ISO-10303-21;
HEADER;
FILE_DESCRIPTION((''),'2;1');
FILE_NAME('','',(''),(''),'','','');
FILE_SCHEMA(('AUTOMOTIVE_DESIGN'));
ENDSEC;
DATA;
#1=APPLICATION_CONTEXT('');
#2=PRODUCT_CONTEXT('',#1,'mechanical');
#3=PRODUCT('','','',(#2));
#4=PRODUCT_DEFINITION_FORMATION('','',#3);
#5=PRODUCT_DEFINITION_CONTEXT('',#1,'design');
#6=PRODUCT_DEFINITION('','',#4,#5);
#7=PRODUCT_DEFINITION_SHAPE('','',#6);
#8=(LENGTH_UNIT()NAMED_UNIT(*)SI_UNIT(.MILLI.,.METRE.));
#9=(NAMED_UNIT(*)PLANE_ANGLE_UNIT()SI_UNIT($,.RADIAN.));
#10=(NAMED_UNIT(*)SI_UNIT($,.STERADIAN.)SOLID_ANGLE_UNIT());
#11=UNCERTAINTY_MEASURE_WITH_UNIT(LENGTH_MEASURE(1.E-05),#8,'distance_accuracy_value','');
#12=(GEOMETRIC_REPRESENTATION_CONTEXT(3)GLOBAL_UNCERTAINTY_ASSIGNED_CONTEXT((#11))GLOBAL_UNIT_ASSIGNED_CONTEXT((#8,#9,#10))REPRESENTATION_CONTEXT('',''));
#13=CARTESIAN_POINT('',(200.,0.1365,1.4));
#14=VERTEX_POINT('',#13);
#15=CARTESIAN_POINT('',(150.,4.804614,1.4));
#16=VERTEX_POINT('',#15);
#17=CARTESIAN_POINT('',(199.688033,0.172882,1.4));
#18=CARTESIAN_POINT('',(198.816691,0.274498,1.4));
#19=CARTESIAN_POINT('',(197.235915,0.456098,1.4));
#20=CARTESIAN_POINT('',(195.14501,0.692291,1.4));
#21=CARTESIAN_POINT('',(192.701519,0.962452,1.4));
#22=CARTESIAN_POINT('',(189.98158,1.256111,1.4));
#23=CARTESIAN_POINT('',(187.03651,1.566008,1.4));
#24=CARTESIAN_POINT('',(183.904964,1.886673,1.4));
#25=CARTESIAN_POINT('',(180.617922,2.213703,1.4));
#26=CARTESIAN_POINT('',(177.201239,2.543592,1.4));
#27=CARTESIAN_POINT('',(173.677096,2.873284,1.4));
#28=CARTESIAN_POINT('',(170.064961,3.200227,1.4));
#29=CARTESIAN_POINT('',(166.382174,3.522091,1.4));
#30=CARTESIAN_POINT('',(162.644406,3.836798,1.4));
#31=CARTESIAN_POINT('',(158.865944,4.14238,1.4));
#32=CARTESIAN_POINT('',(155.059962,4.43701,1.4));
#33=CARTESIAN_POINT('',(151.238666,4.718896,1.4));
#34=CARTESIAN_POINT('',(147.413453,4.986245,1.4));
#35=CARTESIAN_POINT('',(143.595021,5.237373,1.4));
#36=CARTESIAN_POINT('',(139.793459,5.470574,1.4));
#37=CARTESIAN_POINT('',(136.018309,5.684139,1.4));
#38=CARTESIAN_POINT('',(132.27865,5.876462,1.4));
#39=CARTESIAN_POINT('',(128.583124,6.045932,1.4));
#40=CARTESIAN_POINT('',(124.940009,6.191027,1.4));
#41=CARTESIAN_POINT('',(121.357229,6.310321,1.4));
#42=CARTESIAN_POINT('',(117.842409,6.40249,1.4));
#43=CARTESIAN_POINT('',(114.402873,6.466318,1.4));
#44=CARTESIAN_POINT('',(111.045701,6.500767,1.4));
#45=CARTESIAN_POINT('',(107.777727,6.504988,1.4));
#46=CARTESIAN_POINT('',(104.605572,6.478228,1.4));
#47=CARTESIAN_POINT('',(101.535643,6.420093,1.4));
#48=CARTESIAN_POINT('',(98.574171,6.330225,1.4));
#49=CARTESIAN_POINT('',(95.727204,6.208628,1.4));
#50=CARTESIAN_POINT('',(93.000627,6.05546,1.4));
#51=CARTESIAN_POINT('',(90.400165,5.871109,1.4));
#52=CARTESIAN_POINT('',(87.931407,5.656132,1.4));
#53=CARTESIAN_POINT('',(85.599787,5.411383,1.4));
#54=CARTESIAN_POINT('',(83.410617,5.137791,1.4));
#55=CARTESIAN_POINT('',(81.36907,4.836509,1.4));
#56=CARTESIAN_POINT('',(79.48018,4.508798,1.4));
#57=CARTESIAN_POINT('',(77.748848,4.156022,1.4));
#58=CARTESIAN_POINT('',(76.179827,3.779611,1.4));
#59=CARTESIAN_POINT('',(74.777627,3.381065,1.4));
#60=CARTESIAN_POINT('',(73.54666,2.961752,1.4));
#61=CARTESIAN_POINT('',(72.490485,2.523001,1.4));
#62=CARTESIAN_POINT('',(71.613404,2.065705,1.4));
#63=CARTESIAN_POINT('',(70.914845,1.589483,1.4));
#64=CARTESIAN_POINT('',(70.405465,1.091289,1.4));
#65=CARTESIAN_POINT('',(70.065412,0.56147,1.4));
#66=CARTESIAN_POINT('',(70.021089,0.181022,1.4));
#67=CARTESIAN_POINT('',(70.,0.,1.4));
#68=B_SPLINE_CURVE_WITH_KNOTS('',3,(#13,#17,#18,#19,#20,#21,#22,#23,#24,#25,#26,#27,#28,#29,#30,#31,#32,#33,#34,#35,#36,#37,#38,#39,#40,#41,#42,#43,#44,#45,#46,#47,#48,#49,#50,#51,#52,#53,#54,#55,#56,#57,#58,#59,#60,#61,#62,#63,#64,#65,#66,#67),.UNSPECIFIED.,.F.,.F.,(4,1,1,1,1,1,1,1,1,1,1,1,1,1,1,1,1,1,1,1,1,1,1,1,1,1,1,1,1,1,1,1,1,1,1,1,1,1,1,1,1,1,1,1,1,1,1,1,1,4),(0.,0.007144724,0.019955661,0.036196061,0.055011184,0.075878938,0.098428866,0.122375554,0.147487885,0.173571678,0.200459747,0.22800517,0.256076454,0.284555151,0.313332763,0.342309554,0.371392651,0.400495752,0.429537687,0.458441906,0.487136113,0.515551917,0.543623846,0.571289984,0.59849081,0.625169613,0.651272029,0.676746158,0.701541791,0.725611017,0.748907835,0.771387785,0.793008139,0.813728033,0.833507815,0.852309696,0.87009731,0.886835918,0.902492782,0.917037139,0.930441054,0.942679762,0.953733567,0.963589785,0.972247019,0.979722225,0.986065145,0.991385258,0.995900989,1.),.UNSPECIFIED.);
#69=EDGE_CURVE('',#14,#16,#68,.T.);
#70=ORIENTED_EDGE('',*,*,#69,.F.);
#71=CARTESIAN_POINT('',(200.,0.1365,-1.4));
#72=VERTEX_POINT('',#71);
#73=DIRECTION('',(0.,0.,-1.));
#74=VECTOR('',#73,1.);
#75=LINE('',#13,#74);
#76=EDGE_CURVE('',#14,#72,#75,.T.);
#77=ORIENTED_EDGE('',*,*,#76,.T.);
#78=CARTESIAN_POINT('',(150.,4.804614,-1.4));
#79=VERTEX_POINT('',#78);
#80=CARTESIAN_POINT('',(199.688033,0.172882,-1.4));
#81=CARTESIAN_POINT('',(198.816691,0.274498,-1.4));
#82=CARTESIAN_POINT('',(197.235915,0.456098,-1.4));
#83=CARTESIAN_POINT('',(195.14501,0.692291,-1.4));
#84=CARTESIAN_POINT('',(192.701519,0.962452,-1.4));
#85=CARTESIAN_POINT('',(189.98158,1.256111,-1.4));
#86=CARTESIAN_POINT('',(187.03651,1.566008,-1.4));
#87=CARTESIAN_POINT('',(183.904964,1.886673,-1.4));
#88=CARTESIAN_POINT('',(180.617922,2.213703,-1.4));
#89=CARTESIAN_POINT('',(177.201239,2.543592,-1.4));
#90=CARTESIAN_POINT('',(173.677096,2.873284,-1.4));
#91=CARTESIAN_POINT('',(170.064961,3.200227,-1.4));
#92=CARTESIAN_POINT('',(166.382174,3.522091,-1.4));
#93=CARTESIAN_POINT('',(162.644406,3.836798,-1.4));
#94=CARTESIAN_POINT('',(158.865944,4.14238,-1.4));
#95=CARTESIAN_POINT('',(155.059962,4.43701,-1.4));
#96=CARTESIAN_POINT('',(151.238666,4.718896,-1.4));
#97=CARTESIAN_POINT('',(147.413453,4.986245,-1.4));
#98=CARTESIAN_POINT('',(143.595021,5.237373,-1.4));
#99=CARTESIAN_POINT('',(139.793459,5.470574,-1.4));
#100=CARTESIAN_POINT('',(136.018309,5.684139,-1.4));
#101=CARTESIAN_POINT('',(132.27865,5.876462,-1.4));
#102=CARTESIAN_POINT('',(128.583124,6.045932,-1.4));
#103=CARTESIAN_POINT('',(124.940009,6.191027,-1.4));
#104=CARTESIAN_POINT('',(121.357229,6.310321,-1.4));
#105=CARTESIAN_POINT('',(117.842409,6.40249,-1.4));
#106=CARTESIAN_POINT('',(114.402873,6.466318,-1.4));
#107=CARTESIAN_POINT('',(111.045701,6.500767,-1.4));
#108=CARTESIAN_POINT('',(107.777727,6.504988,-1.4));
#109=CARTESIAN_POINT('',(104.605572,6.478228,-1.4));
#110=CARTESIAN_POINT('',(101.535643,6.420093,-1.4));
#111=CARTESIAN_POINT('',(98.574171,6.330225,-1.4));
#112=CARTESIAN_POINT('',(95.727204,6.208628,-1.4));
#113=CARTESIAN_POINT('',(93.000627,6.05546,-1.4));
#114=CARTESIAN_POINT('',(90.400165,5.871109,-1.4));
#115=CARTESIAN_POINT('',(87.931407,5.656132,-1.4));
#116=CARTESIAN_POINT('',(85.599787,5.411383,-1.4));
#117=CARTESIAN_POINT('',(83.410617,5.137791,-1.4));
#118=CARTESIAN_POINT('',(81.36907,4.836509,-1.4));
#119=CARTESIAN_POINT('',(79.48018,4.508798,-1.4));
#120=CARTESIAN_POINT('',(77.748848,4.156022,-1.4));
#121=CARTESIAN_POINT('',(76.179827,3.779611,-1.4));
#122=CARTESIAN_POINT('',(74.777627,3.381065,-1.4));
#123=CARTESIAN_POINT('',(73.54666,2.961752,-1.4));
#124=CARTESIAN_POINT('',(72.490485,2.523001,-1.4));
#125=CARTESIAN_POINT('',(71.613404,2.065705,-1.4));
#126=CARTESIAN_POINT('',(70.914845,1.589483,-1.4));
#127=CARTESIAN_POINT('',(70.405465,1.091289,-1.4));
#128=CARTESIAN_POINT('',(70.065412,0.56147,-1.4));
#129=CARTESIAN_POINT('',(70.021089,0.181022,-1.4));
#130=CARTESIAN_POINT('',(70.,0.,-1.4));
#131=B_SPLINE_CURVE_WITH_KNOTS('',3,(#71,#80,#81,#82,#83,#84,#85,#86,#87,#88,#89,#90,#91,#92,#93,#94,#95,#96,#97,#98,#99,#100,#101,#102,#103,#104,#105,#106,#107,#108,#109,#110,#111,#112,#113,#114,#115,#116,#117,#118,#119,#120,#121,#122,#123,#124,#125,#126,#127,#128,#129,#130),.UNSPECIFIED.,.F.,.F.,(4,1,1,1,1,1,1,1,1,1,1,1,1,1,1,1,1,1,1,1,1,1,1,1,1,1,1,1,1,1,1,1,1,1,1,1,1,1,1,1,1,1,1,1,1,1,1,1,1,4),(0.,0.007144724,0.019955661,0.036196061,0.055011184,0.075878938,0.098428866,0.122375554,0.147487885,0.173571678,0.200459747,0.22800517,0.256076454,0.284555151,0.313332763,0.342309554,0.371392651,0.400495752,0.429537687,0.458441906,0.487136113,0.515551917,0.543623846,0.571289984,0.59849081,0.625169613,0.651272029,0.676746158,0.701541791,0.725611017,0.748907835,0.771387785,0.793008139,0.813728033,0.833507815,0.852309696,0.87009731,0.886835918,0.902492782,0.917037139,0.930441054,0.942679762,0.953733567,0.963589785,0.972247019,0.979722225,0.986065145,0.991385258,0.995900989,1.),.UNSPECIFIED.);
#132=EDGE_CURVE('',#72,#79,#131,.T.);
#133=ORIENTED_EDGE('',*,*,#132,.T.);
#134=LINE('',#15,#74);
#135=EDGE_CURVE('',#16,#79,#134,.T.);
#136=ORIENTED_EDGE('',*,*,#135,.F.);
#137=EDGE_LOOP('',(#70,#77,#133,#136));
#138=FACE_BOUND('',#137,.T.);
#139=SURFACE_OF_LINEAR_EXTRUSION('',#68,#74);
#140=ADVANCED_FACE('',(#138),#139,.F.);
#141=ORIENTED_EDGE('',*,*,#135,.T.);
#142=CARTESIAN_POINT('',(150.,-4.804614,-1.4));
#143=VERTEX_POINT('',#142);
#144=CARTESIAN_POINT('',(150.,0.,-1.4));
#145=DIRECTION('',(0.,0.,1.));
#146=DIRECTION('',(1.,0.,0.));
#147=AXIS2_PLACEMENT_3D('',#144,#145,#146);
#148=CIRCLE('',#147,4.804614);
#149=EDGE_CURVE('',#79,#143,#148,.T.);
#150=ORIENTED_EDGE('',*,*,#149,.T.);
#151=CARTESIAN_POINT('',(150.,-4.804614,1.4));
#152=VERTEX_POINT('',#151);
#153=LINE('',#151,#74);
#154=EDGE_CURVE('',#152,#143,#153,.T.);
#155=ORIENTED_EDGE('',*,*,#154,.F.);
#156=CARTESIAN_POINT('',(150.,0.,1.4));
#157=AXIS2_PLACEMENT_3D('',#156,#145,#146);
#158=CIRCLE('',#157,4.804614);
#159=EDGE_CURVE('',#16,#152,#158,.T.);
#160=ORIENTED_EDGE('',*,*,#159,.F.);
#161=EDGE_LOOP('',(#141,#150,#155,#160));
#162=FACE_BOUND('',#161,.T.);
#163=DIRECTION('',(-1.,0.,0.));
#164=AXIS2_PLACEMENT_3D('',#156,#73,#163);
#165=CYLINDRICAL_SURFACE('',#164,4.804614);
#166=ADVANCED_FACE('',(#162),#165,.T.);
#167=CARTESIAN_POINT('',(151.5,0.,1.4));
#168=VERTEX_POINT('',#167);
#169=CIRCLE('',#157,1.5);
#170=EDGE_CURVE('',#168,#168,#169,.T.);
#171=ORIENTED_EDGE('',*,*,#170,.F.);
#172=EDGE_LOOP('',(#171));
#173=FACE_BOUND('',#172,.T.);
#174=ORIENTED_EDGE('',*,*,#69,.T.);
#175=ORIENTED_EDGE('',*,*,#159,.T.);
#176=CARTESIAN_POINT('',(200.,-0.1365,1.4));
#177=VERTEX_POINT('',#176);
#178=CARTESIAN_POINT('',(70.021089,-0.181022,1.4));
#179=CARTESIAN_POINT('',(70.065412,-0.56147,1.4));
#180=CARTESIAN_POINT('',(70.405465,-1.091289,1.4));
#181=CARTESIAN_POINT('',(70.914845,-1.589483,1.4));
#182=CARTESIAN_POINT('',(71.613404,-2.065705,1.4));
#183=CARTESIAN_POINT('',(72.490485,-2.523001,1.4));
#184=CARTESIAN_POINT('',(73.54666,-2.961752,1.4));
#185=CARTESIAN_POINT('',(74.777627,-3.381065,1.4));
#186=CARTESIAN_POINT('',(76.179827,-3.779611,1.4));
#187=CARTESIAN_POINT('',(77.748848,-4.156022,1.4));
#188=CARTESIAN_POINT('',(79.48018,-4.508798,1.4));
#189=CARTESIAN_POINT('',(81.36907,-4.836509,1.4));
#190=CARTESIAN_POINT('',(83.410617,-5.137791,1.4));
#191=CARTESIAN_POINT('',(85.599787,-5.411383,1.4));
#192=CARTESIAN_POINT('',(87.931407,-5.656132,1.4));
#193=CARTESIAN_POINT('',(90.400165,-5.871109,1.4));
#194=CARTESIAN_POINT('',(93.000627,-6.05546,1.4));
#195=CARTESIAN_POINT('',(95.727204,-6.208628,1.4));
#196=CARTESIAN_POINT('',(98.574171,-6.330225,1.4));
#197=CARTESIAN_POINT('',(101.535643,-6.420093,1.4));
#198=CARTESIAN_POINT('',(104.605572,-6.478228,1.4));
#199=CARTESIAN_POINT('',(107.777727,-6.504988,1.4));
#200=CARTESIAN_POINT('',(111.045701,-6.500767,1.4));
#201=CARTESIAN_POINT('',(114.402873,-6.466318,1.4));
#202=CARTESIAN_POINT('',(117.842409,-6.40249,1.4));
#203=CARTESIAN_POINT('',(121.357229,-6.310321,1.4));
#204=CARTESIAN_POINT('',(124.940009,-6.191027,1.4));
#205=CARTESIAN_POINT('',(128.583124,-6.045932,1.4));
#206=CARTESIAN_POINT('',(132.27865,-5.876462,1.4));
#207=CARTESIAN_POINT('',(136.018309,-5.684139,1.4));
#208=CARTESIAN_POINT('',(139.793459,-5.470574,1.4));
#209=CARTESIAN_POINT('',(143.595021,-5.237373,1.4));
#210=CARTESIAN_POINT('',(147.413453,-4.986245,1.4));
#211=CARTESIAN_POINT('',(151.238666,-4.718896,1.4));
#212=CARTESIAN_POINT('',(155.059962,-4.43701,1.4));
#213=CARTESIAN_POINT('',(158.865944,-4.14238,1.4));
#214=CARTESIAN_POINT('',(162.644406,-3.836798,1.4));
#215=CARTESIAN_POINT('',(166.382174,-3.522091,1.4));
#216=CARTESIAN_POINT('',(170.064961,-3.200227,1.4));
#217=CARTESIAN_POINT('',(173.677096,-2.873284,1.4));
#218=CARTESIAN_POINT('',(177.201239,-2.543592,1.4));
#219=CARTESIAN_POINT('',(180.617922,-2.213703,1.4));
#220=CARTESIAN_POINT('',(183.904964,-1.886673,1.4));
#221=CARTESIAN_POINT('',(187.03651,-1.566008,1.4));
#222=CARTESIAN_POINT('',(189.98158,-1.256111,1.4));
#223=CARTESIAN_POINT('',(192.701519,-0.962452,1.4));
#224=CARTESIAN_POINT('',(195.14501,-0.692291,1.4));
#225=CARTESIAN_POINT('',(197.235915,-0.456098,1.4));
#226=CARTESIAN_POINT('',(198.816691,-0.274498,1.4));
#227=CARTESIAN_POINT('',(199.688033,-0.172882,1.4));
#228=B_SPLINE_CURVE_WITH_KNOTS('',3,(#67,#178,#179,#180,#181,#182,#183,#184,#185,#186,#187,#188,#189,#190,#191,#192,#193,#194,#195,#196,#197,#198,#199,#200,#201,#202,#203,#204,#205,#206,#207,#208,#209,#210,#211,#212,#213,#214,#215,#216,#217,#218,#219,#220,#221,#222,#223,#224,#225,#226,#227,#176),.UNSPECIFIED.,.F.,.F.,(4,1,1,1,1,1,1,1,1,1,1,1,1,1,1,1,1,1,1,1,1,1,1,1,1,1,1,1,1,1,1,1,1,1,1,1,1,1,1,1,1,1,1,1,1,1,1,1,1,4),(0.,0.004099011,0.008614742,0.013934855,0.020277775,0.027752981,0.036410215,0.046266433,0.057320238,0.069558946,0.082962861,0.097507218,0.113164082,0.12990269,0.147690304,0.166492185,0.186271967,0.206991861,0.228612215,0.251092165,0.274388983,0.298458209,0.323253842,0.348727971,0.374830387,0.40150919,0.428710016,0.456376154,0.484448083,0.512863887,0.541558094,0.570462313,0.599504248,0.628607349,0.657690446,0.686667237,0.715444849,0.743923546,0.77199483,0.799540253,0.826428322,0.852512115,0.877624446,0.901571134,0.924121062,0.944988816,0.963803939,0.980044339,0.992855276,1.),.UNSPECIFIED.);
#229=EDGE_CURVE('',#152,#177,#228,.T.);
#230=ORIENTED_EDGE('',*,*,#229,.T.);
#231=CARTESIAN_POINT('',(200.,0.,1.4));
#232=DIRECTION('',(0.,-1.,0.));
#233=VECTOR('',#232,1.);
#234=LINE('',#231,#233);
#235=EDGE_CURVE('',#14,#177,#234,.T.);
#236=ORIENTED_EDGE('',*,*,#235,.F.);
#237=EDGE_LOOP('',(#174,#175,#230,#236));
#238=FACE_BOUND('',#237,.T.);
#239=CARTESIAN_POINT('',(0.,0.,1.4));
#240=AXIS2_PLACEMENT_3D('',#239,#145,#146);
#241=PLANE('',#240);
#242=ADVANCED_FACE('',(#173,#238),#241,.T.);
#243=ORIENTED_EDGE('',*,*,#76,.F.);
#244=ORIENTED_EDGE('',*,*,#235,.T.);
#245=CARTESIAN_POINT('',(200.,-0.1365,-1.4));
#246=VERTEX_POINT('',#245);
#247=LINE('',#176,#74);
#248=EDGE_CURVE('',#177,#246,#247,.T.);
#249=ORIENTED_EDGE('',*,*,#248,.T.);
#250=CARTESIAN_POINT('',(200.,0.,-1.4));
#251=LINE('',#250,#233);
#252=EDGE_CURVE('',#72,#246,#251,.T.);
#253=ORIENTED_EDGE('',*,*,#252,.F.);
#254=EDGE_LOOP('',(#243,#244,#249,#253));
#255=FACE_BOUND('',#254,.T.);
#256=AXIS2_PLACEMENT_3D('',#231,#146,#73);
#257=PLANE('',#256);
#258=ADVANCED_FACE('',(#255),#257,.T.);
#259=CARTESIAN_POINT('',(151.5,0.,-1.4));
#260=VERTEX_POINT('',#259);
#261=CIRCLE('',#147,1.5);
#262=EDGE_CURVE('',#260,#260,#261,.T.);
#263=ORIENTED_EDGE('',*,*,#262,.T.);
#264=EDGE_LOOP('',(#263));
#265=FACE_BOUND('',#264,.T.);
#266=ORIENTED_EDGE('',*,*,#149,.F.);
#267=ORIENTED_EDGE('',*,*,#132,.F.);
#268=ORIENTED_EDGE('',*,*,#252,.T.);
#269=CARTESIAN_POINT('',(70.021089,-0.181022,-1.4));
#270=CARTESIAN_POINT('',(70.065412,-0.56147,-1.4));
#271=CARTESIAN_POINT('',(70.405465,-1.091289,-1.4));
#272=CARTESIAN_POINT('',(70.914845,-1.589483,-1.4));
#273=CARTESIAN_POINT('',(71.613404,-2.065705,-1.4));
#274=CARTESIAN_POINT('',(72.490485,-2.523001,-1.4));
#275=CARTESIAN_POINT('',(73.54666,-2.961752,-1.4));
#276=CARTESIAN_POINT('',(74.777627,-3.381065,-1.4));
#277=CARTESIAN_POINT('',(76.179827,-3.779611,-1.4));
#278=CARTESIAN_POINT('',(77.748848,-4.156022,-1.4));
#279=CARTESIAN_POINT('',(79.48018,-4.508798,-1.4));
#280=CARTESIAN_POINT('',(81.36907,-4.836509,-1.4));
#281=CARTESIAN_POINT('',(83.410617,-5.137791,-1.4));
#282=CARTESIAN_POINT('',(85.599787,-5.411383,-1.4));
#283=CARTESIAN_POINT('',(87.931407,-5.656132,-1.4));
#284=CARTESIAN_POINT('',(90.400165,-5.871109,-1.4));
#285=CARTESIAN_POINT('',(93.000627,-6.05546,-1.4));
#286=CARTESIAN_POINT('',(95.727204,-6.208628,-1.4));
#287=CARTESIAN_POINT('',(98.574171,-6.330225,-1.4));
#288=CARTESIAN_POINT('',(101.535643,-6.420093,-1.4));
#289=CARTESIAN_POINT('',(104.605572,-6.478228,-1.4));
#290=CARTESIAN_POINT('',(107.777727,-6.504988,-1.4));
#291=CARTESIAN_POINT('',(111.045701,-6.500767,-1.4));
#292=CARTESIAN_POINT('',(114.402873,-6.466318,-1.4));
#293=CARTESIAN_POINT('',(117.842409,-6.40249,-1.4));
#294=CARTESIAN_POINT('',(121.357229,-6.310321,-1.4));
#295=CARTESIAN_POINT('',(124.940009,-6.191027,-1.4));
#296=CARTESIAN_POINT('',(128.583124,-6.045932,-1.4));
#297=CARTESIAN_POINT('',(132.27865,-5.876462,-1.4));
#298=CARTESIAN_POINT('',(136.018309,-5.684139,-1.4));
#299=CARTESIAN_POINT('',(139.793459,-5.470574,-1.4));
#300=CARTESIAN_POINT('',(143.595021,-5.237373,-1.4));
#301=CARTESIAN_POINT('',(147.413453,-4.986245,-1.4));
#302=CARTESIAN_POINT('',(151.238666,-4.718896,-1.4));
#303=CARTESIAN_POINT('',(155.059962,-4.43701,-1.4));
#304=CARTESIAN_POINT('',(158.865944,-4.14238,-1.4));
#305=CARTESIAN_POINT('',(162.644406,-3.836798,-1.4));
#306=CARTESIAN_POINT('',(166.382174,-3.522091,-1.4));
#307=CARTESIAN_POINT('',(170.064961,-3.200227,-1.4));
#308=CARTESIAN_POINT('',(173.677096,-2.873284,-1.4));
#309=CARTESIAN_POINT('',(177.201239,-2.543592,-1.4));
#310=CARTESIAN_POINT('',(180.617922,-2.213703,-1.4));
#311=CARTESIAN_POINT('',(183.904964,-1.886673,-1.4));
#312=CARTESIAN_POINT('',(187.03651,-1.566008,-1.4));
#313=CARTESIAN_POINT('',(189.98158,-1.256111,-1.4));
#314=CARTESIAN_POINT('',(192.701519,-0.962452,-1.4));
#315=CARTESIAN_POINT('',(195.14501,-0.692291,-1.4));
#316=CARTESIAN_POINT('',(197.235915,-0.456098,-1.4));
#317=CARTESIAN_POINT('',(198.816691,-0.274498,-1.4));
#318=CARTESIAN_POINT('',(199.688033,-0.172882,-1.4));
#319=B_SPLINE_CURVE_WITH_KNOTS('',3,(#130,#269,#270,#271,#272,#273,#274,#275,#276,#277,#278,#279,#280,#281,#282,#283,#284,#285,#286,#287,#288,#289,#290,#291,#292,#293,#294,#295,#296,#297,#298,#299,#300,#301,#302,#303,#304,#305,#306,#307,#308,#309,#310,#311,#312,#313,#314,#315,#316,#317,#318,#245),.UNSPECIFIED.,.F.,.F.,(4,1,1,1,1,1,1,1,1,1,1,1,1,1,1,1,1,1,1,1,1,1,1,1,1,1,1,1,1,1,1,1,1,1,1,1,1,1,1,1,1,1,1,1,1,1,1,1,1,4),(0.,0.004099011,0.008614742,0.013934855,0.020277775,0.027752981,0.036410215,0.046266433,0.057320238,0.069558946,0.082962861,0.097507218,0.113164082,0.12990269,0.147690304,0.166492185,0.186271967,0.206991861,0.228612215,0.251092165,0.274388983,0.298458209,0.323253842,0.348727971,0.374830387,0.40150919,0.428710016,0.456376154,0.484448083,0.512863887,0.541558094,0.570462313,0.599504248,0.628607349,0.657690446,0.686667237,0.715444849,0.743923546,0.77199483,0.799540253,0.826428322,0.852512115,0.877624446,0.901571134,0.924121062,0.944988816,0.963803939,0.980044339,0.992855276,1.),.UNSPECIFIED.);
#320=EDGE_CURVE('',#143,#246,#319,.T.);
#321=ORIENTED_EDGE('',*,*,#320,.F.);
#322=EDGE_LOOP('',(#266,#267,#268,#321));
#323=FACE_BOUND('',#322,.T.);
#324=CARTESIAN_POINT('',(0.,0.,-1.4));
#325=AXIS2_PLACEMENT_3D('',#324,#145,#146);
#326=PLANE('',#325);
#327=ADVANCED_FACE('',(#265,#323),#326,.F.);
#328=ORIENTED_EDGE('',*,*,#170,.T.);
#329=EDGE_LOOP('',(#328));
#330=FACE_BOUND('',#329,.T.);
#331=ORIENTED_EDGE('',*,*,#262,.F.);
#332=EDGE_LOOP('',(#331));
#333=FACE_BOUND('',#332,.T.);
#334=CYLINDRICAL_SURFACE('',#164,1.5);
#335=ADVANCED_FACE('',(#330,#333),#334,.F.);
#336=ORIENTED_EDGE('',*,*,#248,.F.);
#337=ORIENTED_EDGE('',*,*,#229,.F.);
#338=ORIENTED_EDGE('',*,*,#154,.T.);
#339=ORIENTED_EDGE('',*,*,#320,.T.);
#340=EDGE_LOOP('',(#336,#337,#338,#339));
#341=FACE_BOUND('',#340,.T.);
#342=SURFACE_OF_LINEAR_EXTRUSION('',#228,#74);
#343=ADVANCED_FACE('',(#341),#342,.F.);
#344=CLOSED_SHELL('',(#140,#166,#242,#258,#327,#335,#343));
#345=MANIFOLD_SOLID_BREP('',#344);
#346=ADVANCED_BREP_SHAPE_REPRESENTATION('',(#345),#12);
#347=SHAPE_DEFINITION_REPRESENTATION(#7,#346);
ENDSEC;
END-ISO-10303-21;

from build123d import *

# Parameters (mm, degrees)
SKETCH_1_R      = 1.5
EXTRUDE_1_DEPTH = 1.4


with BuildPart() as part:
    # Эскиз1 → Бобышка-Вытянуть1 (new, symmetric)
    with BuildSketch(Plane.XY):
        with BuildLine():
            Line((200, -0.1365), (200, 0.1365))
            add(Edge.make_bspline(
                [(200, 0.1365), (199.68803342, 0.172881569), (198.81669122, 0.27449757), (197.235914613, 0.456098486), (195.145010046, 0.692291497), (192.701519493, 0.962451868), (189.981579718, 1.256111468), (187.036509642, 1.566007991), (183.904963565, 1.886673282), (179.441732645, 2.330723386), (174.819068239, 2.769921708), (170.064960651, 3.20022732), (166.382173561, 3.522091337), (162.644406173, 3.836797902), (158.865943793, 4.14237985), (155.059961592, 4.437010481), (152.101523013, 4.655245952), (150.413140573, 4.775462142), (150, 4.804613846)],
                knots=[0, 0, 0, 0, 0.007144724, 0.019955661, 0.036196061, 0.055011184, 0.075878938, 0.098428866, 0.122375554, 0.147487885, 0.200459747, 0.22800517, 0.256076454, 0.284555151, 0.313332763, 0.342309554, 0.371392651, 0.380814152, 0.380814152, 0.380814152, 0.380814152], degree=3))
            ThreePointArc((150, 4.804613846), (145.195386154, 0), (150, -4.804613846))
            add(Edge.make_bspline(
                [(150, -4.804613846), (150.413140573, -4.775462142), (152.101523013, -4.655245952), (155.059961592, -4.437010481), (158.865943793, -4.14237985), (162.644406173, -3.836797902), (166.382173561, -3.522091337), (170.064960651, -3.20022732), (174.819068239, -2.769921708), (179.441732645, -2.330723386), (183.904963565, -1.886673282), (187.036509642, -1.566007991), (189.981579718, -1.256111468), (192.701519493, -0.962451868), (195.145010046, -0.692291497), (197.235914613, -0.456098486), (198.81669122, -0.27449757), (199.68803342, -0.172881569), (200, -0.1365)],
                knots=[0.619185848, 0.619185848, 0.619185848, 0.619185848, 0.628607349, 0.657690446, 0.686667237, 0.715444849, 0.743923546, 0.77199483, 0.799540253, 0.852512115, 0.877624446, 0.901571134, 0.924121062, 0.944988816, 0.963803939, 0.980044339, 0.992855276, 1, 1, 1, 1], degree=3))
        make_face()
        with Locations((150, 0)):
            Circle(SKETCH_1_R, mode=Mode.SUBTRACT)
    extrude(amount=EXTRUDE_1_DEPTH, both=True)


solid = part.part
